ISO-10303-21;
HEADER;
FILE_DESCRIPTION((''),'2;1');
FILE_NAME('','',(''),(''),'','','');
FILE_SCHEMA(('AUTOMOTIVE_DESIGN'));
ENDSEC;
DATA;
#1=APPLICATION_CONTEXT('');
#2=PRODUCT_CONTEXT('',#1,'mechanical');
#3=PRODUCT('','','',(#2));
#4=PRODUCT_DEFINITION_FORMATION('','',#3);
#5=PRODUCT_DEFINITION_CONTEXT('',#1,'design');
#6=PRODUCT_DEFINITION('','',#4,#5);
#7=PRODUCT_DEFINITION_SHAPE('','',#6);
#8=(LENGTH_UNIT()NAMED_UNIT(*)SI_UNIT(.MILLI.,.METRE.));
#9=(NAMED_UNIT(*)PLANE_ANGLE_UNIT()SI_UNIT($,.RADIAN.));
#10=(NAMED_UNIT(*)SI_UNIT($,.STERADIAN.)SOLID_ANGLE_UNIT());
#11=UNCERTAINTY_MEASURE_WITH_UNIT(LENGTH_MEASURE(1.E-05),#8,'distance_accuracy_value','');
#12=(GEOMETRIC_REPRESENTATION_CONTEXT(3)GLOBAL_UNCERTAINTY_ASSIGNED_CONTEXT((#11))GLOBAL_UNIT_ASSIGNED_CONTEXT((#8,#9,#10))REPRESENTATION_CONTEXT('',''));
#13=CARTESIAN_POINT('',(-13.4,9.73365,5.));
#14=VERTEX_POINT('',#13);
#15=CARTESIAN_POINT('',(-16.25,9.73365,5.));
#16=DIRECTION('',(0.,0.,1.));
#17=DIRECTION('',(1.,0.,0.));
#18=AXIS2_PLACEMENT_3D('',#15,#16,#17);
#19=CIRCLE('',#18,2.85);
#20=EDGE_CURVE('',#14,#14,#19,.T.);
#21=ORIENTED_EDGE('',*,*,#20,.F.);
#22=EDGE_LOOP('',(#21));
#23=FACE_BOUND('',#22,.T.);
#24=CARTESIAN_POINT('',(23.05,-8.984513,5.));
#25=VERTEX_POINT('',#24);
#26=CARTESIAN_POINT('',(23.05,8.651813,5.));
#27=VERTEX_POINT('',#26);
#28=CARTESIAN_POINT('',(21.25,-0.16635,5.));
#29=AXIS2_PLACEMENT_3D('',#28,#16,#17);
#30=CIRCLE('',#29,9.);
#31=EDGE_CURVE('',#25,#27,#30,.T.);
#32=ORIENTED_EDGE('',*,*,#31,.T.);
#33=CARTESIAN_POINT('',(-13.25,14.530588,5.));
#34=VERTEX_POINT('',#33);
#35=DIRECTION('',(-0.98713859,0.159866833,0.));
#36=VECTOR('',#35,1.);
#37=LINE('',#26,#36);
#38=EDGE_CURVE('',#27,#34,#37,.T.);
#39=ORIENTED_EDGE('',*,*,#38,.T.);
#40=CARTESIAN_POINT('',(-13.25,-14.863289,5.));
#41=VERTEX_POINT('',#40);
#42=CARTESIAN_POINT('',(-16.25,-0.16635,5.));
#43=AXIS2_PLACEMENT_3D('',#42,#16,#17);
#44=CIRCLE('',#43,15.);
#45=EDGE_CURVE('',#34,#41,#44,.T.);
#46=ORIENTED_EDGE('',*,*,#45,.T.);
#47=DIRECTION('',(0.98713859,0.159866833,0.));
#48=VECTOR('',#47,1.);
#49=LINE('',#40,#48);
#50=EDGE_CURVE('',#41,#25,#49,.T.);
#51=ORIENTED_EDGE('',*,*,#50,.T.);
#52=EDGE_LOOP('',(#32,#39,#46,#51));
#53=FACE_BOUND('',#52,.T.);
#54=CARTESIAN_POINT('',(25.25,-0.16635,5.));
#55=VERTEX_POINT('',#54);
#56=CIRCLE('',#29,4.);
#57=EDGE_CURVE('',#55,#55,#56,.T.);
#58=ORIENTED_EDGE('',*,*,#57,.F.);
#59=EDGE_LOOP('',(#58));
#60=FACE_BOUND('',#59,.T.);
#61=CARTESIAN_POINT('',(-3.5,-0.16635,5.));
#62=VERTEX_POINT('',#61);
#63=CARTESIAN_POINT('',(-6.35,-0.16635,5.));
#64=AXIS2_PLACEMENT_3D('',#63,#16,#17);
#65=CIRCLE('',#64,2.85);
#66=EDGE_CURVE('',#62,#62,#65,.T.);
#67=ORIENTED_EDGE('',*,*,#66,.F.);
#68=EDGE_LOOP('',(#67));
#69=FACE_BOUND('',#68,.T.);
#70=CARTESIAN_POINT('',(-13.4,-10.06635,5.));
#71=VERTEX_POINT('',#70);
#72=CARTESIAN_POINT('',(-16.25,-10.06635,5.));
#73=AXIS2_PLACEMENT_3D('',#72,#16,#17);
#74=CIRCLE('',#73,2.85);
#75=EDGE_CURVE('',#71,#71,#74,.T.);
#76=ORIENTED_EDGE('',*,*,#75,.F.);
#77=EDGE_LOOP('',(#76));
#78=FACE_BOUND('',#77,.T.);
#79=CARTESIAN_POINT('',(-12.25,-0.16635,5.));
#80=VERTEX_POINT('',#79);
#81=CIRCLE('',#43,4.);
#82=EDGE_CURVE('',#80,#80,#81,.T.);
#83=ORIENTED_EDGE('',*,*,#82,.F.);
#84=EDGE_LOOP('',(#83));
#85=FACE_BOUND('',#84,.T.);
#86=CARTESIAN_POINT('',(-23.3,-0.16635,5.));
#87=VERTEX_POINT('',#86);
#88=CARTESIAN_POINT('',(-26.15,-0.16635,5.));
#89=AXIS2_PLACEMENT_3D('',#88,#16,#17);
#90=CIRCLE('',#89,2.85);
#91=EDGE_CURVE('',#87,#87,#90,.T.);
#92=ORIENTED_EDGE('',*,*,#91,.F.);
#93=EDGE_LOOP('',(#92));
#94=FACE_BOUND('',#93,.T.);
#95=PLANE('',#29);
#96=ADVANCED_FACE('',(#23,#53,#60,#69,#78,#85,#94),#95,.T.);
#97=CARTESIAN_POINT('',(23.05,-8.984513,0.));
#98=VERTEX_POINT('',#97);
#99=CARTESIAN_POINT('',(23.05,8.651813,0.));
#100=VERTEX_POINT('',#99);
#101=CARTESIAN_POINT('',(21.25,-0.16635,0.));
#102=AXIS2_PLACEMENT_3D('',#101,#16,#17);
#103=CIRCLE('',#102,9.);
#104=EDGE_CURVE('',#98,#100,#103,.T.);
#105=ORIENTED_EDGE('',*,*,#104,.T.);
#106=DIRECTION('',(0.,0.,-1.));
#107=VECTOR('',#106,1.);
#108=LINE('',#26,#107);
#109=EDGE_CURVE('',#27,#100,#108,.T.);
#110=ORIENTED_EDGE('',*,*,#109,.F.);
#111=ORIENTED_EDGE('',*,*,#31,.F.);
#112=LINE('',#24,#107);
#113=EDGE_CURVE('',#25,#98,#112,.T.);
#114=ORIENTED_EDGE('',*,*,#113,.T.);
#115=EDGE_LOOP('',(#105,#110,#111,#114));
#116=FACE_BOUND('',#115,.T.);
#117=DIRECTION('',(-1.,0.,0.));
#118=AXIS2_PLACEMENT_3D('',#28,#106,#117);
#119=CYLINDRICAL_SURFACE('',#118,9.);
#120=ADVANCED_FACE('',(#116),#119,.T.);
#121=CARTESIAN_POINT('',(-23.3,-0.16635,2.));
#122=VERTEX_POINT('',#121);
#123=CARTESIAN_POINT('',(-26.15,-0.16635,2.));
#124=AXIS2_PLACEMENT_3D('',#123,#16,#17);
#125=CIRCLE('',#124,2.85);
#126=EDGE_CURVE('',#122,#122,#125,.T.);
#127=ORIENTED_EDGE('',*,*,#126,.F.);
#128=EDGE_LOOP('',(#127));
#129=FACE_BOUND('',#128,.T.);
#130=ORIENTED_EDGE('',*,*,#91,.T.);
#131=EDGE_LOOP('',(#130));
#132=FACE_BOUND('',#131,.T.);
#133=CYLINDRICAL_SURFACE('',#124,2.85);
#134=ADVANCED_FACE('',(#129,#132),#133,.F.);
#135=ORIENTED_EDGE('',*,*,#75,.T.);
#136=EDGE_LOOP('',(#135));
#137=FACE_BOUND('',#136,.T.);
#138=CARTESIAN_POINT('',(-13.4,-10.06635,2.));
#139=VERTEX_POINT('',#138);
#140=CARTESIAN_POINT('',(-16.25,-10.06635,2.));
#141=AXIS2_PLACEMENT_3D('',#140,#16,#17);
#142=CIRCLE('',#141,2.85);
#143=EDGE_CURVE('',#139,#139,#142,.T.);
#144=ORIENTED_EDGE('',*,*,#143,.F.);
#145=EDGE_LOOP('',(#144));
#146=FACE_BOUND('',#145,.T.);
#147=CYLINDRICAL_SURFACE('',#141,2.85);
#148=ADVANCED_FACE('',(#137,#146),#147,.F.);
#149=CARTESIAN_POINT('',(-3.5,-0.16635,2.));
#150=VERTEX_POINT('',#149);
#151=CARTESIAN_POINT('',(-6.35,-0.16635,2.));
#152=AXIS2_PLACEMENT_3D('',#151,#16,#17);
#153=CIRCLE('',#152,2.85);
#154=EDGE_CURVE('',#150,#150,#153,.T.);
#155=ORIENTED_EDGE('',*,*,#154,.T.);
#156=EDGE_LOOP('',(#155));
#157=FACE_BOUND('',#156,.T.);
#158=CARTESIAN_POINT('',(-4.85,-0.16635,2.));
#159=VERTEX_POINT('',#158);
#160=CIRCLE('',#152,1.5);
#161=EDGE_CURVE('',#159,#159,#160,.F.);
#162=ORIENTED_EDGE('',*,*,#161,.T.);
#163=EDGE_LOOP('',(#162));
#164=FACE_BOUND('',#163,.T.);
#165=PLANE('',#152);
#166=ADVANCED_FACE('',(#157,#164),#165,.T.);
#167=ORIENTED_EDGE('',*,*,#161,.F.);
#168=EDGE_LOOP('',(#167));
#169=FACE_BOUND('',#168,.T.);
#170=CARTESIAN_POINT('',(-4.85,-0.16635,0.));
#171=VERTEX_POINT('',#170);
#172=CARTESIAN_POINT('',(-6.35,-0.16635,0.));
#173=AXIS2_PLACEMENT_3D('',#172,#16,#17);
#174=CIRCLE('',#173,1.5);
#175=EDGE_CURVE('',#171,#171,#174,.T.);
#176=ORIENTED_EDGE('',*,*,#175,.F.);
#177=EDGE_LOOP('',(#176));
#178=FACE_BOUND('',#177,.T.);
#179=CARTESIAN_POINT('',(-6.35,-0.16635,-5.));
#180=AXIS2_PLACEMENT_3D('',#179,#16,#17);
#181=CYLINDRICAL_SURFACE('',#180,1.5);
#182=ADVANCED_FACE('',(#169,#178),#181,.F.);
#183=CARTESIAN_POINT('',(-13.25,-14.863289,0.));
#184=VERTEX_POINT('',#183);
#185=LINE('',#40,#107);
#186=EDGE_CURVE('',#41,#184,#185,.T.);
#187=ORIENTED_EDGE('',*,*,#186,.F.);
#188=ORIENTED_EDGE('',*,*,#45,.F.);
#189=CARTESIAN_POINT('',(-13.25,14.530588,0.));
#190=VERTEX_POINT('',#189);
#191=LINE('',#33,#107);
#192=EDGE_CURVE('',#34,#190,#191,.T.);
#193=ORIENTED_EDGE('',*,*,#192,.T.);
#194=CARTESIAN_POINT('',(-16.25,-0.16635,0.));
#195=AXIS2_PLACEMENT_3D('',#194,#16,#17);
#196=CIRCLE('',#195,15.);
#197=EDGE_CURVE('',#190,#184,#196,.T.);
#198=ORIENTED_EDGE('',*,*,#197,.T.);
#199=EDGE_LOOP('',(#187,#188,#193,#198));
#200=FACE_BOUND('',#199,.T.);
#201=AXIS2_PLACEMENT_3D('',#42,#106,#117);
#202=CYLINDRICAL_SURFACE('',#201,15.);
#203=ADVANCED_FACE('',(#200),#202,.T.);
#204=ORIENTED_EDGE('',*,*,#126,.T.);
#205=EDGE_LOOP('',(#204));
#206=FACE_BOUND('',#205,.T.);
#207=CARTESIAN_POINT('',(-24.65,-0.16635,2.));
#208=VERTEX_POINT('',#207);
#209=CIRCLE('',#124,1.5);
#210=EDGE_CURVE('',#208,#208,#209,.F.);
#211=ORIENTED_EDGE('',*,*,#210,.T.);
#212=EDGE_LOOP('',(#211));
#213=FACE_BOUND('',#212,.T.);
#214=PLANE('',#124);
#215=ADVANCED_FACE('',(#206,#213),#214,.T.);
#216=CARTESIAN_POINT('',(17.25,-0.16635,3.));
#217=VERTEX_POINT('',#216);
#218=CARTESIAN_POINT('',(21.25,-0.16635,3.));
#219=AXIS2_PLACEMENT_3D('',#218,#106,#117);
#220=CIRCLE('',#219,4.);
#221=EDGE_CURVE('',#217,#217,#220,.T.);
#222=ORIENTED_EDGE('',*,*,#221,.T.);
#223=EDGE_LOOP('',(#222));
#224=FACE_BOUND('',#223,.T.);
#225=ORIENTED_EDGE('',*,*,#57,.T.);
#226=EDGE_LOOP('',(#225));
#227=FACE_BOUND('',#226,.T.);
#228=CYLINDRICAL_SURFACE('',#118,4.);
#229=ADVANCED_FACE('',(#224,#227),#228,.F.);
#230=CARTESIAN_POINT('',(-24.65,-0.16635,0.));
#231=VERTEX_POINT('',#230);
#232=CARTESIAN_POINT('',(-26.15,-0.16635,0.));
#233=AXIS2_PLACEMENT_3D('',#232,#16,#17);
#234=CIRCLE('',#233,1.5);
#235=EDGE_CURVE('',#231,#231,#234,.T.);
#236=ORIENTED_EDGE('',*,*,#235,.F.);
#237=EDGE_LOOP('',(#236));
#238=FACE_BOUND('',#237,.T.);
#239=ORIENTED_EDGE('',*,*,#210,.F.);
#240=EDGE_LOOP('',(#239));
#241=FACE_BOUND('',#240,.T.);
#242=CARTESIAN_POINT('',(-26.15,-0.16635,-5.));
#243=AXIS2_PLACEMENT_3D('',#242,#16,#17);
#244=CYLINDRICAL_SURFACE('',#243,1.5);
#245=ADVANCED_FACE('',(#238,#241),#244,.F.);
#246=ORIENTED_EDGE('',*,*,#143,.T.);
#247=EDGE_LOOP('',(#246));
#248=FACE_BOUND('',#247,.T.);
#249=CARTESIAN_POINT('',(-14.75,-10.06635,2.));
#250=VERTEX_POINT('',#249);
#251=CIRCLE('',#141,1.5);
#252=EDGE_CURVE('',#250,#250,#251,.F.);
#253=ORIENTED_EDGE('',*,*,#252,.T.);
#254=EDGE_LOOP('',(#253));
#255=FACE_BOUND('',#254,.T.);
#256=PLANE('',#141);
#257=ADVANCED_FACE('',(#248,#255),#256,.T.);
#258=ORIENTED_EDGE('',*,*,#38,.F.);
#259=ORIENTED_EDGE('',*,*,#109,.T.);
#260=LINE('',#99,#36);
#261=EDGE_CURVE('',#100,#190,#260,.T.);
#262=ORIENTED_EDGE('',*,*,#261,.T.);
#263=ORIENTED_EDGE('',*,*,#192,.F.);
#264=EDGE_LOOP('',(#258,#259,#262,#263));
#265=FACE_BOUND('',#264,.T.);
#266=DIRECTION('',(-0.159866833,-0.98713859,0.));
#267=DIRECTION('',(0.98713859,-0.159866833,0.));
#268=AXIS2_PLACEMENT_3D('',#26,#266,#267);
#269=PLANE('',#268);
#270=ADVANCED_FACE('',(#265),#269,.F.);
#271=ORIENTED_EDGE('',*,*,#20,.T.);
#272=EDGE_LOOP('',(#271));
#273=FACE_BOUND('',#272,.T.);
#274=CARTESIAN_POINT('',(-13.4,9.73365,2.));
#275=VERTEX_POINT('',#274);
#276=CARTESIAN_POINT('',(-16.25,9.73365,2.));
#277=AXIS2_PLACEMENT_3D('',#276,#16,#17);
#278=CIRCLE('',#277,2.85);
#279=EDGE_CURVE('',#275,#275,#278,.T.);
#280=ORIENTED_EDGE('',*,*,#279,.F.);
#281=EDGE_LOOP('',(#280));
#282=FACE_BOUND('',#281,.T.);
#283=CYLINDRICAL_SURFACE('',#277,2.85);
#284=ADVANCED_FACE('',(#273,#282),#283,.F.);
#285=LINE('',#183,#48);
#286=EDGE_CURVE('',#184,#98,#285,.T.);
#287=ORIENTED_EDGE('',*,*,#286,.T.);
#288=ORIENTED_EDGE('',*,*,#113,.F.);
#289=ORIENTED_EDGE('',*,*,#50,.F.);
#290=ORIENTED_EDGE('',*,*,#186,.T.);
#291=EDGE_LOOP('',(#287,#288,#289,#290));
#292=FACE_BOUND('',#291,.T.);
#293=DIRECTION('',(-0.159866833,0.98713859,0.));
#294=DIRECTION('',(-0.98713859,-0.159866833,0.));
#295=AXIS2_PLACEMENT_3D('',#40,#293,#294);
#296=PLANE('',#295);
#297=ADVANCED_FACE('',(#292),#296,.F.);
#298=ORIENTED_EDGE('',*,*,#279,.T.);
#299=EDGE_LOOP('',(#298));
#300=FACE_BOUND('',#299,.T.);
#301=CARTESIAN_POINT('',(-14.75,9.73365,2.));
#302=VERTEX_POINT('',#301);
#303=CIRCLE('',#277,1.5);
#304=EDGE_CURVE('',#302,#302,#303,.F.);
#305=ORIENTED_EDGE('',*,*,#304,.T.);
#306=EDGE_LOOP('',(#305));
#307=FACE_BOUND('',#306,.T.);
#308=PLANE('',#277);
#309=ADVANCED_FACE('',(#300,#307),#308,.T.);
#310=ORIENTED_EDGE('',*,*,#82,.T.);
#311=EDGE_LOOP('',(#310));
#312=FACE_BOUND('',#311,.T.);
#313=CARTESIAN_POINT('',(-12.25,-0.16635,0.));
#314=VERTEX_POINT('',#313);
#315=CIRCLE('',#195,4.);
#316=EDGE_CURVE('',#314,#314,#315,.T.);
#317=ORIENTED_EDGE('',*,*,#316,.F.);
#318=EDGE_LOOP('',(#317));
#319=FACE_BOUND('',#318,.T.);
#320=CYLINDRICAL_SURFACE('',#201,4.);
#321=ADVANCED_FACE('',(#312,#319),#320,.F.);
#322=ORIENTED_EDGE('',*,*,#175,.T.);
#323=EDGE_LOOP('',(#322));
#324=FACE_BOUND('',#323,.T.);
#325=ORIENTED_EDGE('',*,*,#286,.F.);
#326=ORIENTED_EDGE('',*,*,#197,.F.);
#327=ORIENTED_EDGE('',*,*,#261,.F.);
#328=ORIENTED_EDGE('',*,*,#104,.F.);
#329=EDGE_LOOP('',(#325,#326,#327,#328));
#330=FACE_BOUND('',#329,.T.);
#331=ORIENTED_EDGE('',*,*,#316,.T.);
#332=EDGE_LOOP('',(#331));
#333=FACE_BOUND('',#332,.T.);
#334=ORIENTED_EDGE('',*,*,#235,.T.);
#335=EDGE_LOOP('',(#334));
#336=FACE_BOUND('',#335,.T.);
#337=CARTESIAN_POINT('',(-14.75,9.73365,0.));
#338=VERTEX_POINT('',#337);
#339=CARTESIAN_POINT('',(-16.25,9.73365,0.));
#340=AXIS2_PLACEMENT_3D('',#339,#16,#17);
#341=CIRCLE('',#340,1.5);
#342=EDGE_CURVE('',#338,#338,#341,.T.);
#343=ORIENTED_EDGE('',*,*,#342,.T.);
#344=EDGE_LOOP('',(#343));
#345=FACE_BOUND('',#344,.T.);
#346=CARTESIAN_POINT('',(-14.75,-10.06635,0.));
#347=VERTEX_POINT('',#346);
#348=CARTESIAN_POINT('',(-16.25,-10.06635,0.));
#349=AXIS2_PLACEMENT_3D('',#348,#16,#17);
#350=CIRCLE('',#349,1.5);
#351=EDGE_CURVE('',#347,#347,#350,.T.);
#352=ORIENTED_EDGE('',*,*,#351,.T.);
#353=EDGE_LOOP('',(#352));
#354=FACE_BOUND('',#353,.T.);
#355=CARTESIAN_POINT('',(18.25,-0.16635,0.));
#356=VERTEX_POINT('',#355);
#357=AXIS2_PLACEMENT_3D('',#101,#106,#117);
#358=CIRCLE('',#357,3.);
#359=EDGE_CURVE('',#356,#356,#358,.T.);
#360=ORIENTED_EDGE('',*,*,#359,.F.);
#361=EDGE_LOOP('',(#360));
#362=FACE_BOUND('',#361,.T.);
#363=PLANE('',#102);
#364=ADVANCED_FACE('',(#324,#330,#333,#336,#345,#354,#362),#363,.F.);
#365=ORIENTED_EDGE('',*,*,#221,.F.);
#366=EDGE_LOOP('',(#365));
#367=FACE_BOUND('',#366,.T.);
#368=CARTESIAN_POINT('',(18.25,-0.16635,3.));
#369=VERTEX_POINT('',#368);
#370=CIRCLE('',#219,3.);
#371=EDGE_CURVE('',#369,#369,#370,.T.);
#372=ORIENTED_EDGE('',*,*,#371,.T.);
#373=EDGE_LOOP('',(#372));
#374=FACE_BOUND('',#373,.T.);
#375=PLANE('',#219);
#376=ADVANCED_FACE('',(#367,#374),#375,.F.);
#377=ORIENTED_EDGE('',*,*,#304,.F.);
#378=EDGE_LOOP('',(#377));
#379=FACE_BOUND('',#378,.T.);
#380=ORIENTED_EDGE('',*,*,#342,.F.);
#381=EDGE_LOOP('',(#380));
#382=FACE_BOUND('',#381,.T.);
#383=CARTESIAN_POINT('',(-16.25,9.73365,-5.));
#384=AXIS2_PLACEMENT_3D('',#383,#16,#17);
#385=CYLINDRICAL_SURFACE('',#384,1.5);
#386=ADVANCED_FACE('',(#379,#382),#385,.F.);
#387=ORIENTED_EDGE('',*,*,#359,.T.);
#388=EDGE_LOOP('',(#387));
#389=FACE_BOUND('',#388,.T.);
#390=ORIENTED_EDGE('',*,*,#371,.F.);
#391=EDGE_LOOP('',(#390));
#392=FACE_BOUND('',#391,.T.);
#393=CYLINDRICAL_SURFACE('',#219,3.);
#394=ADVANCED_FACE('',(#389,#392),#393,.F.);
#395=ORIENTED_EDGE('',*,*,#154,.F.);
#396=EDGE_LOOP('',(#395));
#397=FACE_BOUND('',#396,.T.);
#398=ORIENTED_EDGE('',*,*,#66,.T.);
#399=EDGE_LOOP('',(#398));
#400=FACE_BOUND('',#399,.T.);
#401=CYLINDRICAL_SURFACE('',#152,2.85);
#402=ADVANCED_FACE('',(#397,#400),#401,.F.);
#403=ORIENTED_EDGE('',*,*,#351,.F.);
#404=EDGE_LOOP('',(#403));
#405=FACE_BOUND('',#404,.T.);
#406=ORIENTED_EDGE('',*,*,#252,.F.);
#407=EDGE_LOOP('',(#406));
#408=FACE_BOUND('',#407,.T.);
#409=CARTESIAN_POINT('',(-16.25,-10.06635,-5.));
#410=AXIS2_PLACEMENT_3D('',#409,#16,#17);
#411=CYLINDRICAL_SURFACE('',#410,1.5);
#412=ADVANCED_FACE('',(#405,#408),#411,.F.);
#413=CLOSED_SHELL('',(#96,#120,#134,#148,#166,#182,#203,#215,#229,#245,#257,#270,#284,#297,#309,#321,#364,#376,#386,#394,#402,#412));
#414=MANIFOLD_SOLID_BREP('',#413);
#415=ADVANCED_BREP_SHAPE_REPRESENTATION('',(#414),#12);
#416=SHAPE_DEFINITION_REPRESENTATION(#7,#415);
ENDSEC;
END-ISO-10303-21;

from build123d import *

# Parameters (mm, degrees)
SKETCH_1_R          = 4
EXTRUDE_1_DEPTH     = 5
SKETCH_2_R          = 4
SKETCH_2_R_2        = 3
EXTRUDE_2_DEPTH     = 3
SKETCH_3_R          = 1.5
CUT_EXTRUDE_1_DEPTH = 10
SKETCH_4_R          = 2.85
CUT_EXTRUDE_2_DEPTH = 3


with BuildPart() as part:
    # 草图1 → 凸台-拉伸1 (new body)
    with BuildSketch(Plane.XY):
        with BuildLine():
            Line((23.05, 8.65181281), (-13.25, 14.530588193))
            ThreePointArc((-13.25, 14.530588193), (-31.25, -0.166350264), (-13.25, -14.86328872))
            Line((-13.25, -14.86328872), (23.05, -8.984513338))
            ThreePointArc((23.05, -8.984513338), (30.25, -0.166350264), (23.05, 8.65181281))
        make_face()
        with Locations((21.25, -0.166350264)):
            Circle(SKETCH_1_R, mode=Mode.SUBTRACT)
        with Locations((-16.25, -0.166350264)):
            Circle(SKETCH_1_R, mode=Mode.SUBTRACT)
    extrude(amount=EXTRUDE_1_DEPTH)

    # 草图2 → 凸台-拉伸2 (add)
    with BuildSketch(Plane(origin=(0, 0, 0), x_dir=(-1, 0, 0), z_dir=(0, 0, -1))):
        with Locations((-21.25, -0.166350264)):
            Circle(SKETCH_2_R)
        with Locations((-21.25, -0.166350264)):
            Circle(SKETCH_2_R_2, mode=Mode.SUBTRACT)
    extrude(amount=-EXTRUDE_2_DEPTH)

    # 草图3 → 切除-拉伸1 (cut)
    with BuildSketch(Plane.XY.offset(5)):
        with Locations((-16.25, 9.733649736)):
            Circle(SKETCH_3_R)
        with Locations((-6.35, -0.166350264)):
            Circle(SKETCH_3_R)
        with Locations((-26.15, -0.166350264)):
            Circle(SKETCH_3_R)
        with Locations((-16.25, -10.066350264)):
            Circle(SKETCH_3_R)
    extrude(amount=-CUT_EXTRUDE_1_DEPTH, mode=Mode.SUBTRACT)

    # 草图4 → 切除-拉伸2 (cut)
    with BuildSketch(Plane.XY.offset(5)):
        with Locations((-16.25, 9.733649736)):
            Circle(SKETCH_4_R)
        with Locations((-26.15, -0.166350264)):
            Circle(SKETCH_4_R)
        with Locations((-6.35, -0.166350264)):
            Circle(SKETCH_4_R)
        with Locations((-16.25, -10.066350264)):
            Circle(SKETCH_4_R)
    extrude(amount=-CUT_EXTRUDE_2_DEPTH, mode=Mode.SUBTRACT)


solid = part.part
